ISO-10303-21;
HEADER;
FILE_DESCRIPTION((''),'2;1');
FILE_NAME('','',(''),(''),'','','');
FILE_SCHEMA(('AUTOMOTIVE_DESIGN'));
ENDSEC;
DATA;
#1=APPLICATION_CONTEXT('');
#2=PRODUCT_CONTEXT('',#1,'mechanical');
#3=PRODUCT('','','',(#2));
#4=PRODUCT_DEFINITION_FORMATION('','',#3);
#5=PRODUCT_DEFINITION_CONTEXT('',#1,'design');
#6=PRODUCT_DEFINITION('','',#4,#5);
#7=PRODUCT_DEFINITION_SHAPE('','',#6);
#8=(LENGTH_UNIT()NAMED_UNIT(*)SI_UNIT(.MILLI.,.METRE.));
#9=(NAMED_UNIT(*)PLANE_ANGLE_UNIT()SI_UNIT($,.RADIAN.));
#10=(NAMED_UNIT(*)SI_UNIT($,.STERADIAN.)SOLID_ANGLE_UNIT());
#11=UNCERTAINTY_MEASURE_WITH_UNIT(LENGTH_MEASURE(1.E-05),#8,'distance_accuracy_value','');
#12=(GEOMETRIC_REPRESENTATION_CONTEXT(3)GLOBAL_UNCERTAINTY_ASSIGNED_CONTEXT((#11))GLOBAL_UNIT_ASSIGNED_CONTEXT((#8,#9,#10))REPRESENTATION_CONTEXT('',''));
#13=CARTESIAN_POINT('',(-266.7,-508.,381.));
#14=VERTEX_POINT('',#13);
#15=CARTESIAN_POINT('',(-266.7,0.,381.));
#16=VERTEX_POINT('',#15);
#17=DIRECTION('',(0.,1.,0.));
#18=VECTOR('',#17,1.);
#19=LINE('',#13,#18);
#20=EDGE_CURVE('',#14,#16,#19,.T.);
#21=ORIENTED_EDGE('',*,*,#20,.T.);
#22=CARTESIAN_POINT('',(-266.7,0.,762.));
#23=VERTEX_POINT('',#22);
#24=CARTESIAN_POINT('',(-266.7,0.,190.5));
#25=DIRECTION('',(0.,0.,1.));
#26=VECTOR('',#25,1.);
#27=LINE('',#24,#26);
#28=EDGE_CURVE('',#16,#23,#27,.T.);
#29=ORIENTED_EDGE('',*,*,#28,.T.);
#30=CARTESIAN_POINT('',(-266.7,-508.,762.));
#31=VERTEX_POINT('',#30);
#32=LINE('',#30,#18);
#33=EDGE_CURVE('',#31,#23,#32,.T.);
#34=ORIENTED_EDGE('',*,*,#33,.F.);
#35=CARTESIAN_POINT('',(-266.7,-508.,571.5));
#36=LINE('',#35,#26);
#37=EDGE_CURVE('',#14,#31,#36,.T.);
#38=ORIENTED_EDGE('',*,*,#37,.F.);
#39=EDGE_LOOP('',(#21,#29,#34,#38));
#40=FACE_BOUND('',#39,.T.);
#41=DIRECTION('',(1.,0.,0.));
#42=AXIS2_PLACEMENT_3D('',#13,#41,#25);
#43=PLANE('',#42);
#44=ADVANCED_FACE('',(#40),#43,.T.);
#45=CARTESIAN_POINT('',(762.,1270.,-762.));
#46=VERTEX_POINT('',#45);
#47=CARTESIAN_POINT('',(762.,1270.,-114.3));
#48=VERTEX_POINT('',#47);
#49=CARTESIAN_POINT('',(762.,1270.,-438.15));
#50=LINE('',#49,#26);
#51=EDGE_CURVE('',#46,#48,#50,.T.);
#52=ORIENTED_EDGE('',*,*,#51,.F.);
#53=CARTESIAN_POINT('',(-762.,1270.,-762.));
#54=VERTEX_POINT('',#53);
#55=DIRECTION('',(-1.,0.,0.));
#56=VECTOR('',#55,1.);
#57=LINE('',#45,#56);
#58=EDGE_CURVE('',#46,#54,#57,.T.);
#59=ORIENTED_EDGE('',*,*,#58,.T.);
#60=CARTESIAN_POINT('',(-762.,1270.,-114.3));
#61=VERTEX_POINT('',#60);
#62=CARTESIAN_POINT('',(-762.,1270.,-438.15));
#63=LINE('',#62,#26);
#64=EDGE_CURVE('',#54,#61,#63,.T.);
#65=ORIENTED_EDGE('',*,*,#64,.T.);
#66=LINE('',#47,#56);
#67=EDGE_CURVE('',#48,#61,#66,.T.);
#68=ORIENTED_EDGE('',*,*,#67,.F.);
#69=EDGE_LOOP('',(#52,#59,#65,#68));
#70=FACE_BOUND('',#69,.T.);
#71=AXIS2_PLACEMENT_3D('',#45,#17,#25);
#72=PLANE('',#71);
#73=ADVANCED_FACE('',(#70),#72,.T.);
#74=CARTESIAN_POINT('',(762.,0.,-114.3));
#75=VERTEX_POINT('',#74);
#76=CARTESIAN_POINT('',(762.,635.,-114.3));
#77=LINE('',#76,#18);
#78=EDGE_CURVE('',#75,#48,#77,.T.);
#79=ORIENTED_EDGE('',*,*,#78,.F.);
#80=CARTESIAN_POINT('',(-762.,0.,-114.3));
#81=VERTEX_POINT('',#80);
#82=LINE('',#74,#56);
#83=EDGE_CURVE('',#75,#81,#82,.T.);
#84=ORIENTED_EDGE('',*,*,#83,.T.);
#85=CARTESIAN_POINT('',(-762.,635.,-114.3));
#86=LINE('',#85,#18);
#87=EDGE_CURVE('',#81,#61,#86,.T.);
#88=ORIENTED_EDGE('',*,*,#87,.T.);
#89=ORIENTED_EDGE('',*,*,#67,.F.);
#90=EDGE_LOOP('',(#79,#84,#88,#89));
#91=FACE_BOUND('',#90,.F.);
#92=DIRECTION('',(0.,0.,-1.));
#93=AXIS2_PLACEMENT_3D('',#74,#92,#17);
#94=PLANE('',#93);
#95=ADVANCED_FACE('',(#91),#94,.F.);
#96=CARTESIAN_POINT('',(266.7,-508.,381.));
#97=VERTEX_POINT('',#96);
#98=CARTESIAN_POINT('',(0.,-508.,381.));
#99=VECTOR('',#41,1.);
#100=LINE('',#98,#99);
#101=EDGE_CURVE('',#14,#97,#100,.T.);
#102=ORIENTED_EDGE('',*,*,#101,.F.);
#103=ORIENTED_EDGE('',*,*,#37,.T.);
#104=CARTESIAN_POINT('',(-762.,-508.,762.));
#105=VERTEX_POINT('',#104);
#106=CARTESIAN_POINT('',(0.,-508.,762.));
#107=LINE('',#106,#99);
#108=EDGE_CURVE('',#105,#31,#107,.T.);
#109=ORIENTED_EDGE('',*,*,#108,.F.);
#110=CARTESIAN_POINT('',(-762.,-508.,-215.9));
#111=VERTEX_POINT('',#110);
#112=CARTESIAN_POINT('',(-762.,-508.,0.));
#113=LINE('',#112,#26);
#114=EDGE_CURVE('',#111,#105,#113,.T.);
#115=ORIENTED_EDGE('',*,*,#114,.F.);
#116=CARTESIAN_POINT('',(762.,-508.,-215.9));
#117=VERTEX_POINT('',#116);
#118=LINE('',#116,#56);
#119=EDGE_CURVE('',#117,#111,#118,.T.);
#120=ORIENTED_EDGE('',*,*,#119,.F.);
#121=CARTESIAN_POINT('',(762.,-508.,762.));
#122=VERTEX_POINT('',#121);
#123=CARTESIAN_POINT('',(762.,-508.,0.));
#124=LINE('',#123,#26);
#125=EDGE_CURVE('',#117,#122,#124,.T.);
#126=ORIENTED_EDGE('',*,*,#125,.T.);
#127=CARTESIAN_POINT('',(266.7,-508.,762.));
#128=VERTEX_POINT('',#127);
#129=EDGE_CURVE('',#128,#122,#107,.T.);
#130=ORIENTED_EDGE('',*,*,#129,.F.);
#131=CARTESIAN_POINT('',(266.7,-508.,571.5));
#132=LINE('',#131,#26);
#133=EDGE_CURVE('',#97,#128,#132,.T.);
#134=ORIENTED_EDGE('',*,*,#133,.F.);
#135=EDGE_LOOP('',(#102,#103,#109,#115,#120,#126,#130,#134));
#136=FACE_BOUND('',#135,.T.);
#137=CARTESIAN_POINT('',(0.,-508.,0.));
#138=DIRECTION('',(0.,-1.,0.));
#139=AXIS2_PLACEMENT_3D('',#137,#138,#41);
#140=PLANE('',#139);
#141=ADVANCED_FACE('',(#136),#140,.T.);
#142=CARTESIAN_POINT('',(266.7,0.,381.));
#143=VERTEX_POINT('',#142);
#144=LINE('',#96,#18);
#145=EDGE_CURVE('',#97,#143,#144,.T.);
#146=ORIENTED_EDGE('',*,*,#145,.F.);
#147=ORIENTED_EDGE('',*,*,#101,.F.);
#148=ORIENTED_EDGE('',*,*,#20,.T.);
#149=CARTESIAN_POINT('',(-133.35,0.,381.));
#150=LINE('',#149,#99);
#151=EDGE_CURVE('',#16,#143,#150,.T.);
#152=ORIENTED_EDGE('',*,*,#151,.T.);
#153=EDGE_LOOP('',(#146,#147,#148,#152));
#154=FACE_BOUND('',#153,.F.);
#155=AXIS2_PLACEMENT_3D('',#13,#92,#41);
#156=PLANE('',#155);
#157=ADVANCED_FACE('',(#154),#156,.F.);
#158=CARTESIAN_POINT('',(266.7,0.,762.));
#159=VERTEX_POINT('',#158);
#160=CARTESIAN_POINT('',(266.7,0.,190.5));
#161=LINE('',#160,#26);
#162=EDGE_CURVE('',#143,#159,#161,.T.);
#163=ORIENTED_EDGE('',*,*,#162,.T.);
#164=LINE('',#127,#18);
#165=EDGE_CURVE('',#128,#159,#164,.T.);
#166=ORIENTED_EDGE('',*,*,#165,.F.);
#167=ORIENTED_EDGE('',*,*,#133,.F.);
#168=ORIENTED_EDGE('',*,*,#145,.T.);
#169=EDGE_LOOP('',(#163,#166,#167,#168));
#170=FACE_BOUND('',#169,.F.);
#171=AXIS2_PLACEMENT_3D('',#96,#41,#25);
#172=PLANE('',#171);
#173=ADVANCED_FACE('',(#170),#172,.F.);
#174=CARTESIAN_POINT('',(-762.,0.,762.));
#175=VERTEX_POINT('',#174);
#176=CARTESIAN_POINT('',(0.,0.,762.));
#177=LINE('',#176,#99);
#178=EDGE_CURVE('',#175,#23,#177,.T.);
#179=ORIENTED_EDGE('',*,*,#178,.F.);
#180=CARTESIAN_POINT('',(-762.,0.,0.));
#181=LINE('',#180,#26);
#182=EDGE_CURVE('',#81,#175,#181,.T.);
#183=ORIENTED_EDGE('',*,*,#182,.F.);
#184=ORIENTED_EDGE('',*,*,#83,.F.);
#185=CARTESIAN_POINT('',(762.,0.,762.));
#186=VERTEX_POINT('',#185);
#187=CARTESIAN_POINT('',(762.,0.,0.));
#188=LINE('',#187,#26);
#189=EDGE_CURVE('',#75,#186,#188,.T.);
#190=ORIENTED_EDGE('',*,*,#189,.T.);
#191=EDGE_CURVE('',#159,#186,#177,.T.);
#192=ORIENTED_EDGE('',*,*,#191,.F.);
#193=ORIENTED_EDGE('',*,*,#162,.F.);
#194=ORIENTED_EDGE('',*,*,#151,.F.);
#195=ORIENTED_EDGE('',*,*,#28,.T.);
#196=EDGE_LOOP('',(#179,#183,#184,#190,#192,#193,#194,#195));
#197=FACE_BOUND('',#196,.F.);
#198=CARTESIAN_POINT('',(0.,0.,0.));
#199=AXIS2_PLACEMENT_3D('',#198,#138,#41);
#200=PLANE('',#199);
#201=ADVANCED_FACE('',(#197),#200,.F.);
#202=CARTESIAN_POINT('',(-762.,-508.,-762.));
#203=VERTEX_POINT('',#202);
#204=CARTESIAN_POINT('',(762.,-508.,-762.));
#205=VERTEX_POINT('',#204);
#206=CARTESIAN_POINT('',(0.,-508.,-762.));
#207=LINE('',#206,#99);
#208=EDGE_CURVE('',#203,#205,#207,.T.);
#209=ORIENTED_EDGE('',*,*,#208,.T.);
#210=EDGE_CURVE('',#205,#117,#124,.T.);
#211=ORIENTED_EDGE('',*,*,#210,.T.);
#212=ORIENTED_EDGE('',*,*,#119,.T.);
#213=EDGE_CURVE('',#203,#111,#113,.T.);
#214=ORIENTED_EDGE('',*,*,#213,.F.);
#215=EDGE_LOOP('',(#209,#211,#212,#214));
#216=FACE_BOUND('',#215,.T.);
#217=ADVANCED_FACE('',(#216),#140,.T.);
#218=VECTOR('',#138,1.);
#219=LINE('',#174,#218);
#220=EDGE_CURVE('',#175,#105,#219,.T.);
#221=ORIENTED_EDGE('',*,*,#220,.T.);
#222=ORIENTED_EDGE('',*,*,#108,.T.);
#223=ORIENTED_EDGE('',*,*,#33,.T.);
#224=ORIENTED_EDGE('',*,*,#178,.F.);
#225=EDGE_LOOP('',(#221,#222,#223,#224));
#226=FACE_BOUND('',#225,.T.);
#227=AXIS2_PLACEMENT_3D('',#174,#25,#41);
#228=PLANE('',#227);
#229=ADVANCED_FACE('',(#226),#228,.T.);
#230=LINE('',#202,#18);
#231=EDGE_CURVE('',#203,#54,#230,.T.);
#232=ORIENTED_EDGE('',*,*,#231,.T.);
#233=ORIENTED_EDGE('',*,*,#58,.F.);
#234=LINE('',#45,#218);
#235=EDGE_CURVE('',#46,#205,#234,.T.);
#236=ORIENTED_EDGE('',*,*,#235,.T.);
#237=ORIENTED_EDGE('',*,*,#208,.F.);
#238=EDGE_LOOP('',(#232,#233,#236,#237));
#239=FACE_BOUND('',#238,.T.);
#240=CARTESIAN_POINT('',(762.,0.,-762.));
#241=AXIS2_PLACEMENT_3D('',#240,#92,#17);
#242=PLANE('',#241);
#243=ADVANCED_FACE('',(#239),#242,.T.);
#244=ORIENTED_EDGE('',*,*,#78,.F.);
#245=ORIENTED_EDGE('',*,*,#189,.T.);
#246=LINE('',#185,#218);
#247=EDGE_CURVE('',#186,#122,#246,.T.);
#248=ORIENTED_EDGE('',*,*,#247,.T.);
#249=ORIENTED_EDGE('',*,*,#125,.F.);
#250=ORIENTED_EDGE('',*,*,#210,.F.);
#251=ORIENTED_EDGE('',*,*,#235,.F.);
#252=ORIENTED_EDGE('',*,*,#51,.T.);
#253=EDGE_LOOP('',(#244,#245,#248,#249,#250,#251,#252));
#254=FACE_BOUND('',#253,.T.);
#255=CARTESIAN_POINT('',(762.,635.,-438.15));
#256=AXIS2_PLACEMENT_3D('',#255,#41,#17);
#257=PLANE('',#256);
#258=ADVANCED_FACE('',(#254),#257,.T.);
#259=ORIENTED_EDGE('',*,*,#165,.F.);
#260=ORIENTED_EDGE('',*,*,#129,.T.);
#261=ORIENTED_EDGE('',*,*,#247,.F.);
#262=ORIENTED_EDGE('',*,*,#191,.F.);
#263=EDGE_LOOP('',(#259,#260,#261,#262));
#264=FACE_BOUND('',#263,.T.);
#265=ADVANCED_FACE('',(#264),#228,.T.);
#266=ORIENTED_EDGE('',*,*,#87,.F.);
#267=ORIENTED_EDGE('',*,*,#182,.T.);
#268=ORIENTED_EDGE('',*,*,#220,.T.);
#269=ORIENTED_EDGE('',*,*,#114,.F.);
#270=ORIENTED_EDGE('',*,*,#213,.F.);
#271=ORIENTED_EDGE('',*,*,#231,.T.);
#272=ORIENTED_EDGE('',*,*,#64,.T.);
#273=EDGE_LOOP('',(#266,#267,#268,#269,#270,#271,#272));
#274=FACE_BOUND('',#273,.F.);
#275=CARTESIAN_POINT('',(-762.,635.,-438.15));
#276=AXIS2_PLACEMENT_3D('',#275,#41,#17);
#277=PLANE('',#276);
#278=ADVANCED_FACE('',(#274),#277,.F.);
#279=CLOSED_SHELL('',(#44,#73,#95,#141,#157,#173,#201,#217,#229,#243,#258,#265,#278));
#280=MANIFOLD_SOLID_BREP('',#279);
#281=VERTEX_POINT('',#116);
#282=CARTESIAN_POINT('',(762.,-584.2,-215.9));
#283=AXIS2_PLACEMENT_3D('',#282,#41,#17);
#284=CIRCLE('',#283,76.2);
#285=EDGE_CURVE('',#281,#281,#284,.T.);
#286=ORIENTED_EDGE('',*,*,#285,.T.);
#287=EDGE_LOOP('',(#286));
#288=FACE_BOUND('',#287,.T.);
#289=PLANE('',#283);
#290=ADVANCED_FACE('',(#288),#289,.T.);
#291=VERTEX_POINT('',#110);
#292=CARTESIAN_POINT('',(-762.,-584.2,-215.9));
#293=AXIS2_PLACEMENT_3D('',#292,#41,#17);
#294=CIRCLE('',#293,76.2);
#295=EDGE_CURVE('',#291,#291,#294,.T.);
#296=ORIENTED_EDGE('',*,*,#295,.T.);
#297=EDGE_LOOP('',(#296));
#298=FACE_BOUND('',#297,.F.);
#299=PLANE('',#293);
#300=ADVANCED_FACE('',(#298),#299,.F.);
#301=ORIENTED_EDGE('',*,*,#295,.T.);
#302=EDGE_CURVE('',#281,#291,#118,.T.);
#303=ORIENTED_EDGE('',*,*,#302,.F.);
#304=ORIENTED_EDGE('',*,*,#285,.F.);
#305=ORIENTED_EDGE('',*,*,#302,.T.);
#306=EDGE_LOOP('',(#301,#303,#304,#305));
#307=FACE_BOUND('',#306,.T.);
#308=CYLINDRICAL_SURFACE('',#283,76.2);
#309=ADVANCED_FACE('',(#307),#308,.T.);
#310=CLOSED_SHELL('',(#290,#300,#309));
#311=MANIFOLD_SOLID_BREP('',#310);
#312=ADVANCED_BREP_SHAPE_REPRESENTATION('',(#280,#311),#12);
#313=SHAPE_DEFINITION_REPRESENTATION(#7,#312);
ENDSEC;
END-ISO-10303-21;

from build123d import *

# Parameters (mm, degrees)
F0_W     = 1524
F0_H     = 1524
F1_DEPTH = 508
F2_W     = 533.4
F2_H     = 381
F3_DEPTH = 508.001
F4_W     = 1270
F4_H     = 647.7
F5_DEPTH = 1524
F6_R     = 76.2
F7_DEPTH = 1524


with BuildPart() as f1:
    # F0 (on Front) → F1 (new body)
    with BuildSketch(Plane.XZ):
        Rectangle(F0_W, F0_H)
    extrude(amount=F1_DEPTH)

    # F2 (on face) → F3 (cut, through all)
    with BuildSketch(Plane.XZ.offset(508)):
        with Locations((0, 571.5)):
            Rectangle(F2_W, F2_H)
    extrude(amount=-F3_DEPTH, mode=Mode.SUBTRACT)

    # F4 (on face) → F5 (join, through all)
    with BuildSketch(Plane.YZ.offset(762)):
        with Locations((635, -438.15)):
            Rectangle(F4_W, F4_H)
    extrude(amount=-F5_DEPTH)

    # F6 (on face) → F7 (join, through all)
    with BuildSketch(Plane.YZ.offset(762)):
        with Locations((-584.2, -215.9)):
            Circle(F6_R)
    extrude(amount=-F7_DEPTH)


solid = f1.part
